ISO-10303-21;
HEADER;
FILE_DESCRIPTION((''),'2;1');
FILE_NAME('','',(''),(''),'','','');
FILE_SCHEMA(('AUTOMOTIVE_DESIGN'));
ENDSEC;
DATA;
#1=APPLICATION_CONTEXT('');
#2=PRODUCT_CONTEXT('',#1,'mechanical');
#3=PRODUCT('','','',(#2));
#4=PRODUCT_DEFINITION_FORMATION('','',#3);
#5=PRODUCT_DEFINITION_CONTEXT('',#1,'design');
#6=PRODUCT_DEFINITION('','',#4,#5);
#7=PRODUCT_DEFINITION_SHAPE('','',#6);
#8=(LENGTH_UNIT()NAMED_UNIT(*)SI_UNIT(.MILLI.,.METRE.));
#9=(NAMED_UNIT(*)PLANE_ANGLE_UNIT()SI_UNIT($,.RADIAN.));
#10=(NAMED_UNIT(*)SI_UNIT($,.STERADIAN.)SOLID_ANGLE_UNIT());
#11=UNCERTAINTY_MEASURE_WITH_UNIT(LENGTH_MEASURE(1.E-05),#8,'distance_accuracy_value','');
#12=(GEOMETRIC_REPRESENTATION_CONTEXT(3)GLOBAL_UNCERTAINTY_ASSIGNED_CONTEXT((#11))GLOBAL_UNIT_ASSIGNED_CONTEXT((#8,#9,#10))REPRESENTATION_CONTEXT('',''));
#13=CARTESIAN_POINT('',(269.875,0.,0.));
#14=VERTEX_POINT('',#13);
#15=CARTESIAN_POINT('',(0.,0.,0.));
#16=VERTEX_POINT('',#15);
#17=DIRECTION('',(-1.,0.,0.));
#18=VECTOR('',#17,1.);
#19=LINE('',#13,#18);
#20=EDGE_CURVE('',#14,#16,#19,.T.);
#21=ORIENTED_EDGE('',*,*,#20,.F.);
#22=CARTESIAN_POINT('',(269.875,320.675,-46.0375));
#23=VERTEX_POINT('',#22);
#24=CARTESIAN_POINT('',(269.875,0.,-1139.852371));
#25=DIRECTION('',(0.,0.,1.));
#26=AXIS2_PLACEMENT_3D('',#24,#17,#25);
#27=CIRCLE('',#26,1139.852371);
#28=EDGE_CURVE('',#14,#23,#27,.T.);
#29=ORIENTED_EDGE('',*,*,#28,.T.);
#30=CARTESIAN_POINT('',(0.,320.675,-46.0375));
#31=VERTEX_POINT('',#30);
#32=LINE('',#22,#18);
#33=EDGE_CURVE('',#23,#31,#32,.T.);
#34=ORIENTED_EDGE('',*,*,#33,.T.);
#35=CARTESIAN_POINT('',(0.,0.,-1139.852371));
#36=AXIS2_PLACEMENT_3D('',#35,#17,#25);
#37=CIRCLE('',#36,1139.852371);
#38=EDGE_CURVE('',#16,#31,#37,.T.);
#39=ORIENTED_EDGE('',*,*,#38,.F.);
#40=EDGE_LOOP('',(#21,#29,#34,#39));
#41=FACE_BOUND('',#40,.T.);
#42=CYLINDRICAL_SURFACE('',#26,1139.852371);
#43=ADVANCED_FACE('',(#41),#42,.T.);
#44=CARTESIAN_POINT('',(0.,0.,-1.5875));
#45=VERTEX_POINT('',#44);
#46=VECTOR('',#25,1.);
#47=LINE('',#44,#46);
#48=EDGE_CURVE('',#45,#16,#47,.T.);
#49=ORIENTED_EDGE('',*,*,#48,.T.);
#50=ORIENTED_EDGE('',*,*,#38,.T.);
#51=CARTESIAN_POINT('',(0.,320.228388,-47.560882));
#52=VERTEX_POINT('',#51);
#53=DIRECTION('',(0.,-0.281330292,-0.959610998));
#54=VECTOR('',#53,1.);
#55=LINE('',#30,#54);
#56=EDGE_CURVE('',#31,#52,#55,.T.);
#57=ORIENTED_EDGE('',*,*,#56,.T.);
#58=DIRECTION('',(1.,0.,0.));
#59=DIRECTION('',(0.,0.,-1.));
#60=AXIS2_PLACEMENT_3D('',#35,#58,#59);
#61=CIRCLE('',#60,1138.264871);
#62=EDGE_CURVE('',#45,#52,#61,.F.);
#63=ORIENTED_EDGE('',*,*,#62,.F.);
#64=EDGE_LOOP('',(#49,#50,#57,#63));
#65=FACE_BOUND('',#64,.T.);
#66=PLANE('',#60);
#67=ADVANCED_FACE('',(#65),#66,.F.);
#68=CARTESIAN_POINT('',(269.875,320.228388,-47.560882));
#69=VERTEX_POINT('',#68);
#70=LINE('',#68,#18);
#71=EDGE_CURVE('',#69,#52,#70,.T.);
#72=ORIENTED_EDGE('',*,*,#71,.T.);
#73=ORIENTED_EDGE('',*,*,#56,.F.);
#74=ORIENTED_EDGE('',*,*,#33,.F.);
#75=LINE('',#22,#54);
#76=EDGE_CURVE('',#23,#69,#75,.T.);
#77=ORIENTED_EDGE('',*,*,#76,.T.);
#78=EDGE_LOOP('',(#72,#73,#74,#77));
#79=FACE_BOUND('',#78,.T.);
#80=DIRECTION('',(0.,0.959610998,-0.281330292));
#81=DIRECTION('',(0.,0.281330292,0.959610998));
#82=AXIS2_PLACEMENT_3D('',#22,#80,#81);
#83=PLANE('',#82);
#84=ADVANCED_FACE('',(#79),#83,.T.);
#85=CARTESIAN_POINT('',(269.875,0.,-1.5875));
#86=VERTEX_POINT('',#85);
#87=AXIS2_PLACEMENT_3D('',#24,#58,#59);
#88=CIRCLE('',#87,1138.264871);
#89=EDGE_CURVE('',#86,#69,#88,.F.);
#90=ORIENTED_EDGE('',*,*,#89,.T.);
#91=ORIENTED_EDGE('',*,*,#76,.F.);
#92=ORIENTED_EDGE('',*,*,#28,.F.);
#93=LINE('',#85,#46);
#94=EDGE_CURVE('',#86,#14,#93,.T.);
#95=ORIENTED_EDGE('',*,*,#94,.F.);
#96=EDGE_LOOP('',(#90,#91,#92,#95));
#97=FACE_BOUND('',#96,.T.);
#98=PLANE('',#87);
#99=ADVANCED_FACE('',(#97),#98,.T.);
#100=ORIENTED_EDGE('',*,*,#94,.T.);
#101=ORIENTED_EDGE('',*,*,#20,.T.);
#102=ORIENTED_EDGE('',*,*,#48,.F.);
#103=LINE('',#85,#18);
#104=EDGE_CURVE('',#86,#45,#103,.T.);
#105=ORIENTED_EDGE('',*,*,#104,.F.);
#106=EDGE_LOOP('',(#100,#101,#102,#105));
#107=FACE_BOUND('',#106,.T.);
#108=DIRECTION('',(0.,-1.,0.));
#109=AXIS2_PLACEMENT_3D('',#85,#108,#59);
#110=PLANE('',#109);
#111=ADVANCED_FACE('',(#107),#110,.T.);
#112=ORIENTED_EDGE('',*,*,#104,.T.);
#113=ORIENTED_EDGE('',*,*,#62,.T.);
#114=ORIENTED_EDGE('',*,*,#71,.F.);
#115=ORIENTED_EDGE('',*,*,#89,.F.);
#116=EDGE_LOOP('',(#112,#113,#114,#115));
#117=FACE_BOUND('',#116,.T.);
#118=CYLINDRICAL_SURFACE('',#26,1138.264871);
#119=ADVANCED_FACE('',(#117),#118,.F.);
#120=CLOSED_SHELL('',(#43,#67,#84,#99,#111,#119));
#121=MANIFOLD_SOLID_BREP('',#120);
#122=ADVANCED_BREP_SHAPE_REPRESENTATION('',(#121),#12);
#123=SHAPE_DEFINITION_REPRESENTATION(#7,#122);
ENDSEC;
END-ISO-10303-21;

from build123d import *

# Parameters (mm, degrees)
EXTRUDE_THIN1_DEPTH = 269.875


with BuildPart() as part:
    # Sketch1 → Extrude-Thin1 (new body)
    with BuildSketch(Plane(origin=(0, 0, 0), x_dir=(0, 0, -1), z_dir=(1, 0, 0))):
        with BuildLine():
            ThreePointArc((0, 0), (11.568075749, 161.98140868), (46.0375, 320.675))
            Line((46.0375, 320.675), (47.560882459, 320.228388162))
            ThreePointArc((47.560882459, 320.228388162), (13.13946461, 161.755813249), (1.5875, 0))
            Line((1.5875, 0), (0, 0))
        make_face()
    extrude(amount=EXTRUDE_THIN1_DEPTH)


solid = part.part
